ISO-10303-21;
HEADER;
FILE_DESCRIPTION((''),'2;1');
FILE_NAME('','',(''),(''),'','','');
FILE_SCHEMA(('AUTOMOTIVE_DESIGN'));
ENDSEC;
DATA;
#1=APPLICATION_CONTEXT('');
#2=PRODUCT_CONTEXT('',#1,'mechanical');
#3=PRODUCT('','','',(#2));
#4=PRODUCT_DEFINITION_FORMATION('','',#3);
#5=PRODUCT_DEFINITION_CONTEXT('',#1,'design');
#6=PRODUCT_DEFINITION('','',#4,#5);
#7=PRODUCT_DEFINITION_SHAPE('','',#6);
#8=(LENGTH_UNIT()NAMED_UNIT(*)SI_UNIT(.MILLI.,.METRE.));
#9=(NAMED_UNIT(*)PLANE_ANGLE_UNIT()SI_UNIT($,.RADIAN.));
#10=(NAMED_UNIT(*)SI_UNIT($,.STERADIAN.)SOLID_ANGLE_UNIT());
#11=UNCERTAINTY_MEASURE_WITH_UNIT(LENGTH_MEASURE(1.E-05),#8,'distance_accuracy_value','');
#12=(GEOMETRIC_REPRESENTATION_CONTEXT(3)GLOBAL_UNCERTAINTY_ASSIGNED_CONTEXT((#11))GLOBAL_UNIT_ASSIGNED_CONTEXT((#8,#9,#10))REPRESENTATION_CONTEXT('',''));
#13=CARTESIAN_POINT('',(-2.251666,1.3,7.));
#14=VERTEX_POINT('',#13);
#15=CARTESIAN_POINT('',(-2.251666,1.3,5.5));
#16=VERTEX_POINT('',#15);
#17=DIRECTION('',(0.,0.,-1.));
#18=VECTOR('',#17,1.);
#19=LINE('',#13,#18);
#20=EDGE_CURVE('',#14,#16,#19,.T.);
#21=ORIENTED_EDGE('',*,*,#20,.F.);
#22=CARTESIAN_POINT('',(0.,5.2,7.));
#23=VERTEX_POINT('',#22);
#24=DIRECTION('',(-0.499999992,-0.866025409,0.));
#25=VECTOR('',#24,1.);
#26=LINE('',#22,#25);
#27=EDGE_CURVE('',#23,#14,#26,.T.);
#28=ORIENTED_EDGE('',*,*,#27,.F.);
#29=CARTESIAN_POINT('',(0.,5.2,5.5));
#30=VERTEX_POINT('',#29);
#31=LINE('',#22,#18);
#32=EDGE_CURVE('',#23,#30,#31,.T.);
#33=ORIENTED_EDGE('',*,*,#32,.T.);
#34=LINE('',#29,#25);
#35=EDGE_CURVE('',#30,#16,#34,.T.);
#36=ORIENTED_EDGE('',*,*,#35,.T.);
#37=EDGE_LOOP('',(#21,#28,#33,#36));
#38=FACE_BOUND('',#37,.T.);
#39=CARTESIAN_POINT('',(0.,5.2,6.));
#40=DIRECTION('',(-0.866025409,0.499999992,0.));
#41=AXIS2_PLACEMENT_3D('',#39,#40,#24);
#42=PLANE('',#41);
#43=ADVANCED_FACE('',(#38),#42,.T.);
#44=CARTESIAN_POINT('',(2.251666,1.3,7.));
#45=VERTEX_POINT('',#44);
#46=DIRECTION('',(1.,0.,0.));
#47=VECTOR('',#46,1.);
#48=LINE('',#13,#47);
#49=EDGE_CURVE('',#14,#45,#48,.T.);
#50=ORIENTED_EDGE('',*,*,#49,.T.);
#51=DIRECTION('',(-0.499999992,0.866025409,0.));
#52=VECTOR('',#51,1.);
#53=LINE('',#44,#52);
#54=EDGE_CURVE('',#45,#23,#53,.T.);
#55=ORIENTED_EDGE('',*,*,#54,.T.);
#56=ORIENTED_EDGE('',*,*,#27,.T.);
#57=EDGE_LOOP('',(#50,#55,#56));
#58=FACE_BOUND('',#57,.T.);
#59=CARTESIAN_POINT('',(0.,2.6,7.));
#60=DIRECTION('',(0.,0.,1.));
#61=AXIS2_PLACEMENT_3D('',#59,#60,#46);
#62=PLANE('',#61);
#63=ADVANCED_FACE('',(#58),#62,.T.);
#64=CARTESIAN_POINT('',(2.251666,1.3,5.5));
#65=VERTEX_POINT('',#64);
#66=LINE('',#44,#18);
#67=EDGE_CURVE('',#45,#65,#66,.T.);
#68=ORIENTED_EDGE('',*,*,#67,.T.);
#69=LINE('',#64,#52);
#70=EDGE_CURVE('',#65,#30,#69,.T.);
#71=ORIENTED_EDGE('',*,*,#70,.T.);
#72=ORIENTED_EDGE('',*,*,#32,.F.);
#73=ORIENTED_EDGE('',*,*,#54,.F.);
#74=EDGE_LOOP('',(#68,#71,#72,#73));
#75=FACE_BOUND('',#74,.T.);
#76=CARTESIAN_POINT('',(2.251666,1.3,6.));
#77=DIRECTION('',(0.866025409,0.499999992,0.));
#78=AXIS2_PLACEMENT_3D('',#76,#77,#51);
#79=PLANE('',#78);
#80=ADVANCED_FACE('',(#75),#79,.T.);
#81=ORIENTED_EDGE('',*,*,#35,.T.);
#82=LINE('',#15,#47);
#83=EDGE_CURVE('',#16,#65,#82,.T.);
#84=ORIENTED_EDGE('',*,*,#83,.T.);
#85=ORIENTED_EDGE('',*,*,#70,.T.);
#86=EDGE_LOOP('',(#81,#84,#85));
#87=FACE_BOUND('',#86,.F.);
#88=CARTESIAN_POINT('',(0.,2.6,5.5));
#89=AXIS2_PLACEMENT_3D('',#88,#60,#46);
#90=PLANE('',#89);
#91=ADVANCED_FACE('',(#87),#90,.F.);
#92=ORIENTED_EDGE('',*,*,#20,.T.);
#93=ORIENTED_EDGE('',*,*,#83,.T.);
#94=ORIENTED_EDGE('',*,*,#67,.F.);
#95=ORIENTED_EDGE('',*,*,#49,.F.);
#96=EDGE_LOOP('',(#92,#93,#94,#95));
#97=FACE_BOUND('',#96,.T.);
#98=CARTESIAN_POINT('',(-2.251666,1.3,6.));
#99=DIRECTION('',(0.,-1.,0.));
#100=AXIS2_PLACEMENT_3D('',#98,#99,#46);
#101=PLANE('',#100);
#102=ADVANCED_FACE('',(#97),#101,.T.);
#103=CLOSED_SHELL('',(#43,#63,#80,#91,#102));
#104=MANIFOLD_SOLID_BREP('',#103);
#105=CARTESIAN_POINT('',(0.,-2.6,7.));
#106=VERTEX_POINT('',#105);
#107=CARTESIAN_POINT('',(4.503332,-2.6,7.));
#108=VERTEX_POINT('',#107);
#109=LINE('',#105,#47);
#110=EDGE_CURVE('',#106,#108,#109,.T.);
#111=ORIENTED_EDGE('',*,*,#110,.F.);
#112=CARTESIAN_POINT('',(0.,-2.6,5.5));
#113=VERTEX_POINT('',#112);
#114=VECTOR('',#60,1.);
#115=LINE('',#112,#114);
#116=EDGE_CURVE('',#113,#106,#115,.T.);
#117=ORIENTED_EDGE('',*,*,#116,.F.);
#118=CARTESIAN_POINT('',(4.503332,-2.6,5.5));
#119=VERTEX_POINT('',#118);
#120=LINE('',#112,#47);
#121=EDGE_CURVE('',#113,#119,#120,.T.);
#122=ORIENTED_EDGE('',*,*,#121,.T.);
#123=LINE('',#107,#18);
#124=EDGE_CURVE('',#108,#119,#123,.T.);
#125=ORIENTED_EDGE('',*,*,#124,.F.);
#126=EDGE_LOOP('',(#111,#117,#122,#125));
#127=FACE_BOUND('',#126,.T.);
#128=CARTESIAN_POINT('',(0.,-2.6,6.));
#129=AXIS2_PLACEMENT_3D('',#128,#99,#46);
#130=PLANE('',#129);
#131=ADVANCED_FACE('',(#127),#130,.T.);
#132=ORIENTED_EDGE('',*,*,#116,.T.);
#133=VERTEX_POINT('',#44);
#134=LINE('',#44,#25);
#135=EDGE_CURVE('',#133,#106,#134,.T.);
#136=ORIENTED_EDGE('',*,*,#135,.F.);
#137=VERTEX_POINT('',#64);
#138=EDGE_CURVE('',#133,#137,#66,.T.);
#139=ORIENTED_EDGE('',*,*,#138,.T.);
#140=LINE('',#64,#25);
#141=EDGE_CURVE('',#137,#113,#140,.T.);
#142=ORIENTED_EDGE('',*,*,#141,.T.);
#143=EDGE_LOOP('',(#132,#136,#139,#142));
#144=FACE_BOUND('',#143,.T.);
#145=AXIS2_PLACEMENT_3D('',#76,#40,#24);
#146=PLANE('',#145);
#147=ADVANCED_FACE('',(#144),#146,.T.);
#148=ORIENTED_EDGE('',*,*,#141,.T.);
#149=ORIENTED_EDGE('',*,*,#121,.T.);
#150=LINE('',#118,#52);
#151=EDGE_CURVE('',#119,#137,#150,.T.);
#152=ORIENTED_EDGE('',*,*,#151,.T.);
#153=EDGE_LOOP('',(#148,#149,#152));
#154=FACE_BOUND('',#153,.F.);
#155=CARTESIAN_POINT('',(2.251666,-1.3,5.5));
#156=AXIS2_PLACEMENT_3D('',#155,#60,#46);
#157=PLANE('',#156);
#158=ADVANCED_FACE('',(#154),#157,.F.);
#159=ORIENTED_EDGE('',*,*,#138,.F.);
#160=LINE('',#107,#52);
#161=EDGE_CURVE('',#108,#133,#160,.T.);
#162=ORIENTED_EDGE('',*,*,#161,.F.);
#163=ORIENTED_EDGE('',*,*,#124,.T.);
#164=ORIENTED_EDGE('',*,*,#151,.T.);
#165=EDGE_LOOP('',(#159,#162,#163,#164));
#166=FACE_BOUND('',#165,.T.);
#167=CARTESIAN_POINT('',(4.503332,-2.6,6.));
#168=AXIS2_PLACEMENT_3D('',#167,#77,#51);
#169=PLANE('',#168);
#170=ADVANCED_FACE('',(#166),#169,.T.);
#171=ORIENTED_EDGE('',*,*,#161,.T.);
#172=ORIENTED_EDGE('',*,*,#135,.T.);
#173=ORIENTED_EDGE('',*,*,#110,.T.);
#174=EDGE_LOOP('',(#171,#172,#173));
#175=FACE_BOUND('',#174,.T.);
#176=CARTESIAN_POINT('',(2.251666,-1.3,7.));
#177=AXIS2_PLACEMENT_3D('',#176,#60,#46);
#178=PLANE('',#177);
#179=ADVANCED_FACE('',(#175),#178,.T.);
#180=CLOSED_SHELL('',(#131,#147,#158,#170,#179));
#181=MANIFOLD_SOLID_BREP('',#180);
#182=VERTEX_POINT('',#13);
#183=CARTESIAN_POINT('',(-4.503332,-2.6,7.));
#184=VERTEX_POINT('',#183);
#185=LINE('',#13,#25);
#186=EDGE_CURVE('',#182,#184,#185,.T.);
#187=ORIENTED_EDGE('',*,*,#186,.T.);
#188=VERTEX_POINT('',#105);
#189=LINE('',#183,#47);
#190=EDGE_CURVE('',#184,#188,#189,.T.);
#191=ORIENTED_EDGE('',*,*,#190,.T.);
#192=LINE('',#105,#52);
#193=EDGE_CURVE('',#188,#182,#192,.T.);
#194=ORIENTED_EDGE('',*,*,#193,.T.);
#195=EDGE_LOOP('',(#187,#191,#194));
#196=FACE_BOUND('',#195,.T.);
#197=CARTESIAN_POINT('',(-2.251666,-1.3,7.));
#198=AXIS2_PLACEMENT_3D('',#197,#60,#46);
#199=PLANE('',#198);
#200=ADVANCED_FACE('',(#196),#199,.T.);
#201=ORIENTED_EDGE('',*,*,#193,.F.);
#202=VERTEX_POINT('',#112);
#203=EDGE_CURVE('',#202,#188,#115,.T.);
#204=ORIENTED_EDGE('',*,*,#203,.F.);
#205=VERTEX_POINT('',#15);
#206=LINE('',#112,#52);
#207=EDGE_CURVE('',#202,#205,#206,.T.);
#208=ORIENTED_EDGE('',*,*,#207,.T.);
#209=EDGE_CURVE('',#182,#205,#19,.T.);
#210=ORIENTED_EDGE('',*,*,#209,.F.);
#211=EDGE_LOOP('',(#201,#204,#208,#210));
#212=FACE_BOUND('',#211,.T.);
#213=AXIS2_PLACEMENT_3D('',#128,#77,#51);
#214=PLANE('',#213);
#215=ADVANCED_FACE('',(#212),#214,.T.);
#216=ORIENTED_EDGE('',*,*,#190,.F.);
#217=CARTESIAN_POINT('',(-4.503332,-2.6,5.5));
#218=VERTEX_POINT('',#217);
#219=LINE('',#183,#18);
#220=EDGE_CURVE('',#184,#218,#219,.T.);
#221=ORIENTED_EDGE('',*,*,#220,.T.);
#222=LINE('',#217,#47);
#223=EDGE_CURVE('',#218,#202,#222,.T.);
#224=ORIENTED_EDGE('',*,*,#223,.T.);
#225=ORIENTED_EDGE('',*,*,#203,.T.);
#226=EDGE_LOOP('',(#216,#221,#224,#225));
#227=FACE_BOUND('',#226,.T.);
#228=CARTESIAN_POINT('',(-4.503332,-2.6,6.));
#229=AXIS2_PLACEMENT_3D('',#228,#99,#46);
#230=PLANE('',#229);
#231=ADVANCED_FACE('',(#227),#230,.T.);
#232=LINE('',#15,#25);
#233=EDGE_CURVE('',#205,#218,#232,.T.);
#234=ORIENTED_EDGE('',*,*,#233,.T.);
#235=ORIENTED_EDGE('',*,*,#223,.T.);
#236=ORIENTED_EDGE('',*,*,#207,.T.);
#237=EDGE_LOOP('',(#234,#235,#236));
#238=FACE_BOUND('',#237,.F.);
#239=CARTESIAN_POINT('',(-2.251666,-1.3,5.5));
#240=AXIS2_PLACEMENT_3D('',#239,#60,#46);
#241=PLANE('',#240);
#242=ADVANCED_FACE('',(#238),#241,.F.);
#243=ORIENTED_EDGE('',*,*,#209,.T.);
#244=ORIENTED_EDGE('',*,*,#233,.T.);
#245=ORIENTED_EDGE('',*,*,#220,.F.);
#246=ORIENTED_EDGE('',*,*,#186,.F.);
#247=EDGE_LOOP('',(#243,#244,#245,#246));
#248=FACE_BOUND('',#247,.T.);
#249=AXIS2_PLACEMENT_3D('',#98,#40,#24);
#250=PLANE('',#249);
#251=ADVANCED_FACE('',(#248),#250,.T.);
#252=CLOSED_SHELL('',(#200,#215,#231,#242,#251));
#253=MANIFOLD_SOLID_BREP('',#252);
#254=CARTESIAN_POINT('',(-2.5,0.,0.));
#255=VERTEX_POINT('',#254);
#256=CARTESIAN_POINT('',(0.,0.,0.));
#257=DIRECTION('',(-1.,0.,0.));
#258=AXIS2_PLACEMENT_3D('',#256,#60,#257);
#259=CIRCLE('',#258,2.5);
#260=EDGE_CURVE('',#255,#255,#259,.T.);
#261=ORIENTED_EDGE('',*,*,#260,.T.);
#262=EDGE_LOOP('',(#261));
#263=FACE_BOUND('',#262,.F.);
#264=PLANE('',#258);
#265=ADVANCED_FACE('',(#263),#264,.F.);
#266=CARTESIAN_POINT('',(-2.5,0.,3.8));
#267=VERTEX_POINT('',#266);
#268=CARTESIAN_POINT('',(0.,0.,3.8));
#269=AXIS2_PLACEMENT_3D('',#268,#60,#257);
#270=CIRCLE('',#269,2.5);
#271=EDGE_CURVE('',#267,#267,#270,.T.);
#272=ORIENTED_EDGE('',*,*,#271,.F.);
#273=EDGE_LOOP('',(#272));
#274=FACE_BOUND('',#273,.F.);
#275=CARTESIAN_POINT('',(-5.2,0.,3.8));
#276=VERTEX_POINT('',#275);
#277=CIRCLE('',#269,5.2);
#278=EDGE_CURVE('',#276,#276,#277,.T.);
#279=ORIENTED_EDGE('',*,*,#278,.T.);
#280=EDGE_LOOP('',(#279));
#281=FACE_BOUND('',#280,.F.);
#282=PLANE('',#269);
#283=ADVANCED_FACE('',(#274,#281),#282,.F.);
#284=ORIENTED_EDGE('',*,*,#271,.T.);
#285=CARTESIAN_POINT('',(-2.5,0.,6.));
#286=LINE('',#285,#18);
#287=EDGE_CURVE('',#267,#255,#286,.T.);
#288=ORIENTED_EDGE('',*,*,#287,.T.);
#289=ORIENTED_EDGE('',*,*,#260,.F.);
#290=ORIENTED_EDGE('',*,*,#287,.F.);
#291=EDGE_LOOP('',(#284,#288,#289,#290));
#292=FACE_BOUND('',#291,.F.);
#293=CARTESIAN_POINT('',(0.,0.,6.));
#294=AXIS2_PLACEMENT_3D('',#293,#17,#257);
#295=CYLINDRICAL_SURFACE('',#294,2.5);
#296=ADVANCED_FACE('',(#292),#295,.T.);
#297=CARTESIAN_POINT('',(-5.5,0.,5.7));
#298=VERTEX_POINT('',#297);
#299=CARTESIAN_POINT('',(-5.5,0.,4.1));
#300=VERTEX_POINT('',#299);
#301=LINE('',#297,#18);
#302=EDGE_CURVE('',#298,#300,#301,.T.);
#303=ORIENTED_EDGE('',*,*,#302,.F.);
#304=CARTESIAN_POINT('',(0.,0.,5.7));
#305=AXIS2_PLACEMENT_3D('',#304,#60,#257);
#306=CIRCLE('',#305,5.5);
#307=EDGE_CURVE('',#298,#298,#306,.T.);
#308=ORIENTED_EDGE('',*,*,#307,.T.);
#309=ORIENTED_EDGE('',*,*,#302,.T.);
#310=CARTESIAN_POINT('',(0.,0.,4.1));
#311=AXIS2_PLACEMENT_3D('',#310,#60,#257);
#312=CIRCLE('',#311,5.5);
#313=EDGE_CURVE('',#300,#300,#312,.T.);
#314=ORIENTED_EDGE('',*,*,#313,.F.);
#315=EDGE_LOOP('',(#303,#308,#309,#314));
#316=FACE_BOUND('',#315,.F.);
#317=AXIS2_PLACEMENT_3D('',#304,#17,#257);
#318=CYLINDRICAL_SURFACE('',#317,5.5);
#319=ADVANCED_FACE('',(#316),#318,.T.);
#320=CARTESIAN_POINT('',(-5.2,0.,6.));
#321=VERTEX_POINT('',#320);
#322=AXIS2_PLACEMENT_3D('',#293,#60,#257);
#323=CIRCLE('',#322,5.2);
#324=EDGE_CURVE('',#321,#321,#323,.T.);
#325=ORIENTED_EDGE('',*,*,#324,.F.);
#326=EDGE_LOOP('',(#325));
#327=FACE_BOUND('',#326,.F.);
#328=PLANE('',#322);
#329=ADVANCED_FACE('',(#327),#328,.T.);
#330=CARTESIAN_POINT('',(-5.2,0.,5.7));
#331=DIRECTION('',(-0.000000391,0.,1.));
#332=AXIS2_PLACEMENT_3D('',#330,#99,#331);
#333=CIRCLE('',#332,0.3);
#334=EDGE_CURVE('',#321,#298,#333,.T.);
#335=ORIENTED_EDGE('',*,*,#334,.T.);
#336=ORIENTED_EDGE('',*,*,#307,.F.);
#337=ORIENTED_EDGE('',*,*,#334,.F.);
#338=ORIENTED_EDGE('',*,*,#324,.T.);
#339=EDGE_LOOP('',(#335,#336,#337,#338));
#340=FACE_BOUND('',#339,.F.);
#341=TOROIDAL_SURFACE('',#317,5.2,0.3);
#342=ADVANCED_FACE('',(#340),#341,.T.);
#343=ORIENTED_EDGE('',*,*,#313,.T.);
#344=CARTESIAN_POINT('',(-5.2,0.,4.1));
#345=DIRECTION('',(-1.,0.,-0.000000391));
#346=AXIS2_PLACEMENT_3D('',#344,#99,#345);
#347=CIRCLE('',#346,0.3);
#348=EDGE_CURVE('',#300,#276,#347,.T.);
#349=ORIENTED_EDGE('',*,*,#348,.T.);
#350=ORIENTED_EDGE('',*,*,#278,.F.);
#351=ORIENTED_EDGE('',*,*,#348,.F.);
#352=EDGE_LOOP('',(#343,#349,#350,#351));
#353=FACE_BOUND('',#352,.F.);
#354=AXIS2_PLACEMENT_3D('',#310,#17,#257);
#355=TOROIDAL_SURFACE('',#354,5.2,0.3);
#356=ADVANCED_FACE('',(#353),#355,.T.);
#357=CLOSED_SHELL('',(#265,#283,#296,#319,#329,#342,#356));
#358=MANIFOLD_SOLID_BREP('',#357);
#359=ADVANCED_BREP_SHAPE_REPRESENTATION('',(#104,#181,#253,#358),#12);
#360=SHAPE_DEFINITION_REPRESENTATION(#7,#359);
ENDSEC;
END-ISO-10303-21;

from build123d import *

# Parameters (mm, degrees)
F3_DEPTH      = 1
F3_DEPTH_BACK = 0.5


with BuildPart() as f1:
    # F0 (on Front) → F1 (revolve)
    with BuildSketch(Plane.XZ):
        Polygon((-2.5, 0), (0, 0), (0, 6), (-2.5, 6), (-2.5, 3.8), align=None)
        with BuildLine():
            Line((-5.2, 3.8), (-2.5, 3.8))
            Line((-2.5, 3.8), (-2.5, 6))
            Line((-2.5, 6), (-5.2, 6))
            ThreePointArc((-5.2, 6), (-5.412132, 5.912132), (-5.5, 5.7))
            Line((-5.5, 5.7), (-5.5, 4.1))
            ThreePointArc((-5.5, 4.1), (-5.412132, 3.887868), (-5.2, 3.8))
        make_face()
    revolve(axis=Axis((0, 0, 3), (0, 0, 1)))


with BuildPart() as f3:
    # F2 (on face) → F3 (new body, two sides)
    with BuildSketch(Plane.XY.offset(6)) as f3_sk:
        Polygon((-4.503332, -2.6), (0, -2.6), (-2.251666, 1.3), align=None)
        Polygon((2.251666, 1.3), (0, -2.6), (4.503332, -2.6), align=None)
        Polygon((0, 5.2), (-2.251666, 1.3), (2.251666, 1.3), align=None)
    extrude(amount=F3_DEPTH)
    extrude(f3_sk.sketch, amount=-F3_DEPTH_BACK)


solid = Compound([f1.part, f3.part])
